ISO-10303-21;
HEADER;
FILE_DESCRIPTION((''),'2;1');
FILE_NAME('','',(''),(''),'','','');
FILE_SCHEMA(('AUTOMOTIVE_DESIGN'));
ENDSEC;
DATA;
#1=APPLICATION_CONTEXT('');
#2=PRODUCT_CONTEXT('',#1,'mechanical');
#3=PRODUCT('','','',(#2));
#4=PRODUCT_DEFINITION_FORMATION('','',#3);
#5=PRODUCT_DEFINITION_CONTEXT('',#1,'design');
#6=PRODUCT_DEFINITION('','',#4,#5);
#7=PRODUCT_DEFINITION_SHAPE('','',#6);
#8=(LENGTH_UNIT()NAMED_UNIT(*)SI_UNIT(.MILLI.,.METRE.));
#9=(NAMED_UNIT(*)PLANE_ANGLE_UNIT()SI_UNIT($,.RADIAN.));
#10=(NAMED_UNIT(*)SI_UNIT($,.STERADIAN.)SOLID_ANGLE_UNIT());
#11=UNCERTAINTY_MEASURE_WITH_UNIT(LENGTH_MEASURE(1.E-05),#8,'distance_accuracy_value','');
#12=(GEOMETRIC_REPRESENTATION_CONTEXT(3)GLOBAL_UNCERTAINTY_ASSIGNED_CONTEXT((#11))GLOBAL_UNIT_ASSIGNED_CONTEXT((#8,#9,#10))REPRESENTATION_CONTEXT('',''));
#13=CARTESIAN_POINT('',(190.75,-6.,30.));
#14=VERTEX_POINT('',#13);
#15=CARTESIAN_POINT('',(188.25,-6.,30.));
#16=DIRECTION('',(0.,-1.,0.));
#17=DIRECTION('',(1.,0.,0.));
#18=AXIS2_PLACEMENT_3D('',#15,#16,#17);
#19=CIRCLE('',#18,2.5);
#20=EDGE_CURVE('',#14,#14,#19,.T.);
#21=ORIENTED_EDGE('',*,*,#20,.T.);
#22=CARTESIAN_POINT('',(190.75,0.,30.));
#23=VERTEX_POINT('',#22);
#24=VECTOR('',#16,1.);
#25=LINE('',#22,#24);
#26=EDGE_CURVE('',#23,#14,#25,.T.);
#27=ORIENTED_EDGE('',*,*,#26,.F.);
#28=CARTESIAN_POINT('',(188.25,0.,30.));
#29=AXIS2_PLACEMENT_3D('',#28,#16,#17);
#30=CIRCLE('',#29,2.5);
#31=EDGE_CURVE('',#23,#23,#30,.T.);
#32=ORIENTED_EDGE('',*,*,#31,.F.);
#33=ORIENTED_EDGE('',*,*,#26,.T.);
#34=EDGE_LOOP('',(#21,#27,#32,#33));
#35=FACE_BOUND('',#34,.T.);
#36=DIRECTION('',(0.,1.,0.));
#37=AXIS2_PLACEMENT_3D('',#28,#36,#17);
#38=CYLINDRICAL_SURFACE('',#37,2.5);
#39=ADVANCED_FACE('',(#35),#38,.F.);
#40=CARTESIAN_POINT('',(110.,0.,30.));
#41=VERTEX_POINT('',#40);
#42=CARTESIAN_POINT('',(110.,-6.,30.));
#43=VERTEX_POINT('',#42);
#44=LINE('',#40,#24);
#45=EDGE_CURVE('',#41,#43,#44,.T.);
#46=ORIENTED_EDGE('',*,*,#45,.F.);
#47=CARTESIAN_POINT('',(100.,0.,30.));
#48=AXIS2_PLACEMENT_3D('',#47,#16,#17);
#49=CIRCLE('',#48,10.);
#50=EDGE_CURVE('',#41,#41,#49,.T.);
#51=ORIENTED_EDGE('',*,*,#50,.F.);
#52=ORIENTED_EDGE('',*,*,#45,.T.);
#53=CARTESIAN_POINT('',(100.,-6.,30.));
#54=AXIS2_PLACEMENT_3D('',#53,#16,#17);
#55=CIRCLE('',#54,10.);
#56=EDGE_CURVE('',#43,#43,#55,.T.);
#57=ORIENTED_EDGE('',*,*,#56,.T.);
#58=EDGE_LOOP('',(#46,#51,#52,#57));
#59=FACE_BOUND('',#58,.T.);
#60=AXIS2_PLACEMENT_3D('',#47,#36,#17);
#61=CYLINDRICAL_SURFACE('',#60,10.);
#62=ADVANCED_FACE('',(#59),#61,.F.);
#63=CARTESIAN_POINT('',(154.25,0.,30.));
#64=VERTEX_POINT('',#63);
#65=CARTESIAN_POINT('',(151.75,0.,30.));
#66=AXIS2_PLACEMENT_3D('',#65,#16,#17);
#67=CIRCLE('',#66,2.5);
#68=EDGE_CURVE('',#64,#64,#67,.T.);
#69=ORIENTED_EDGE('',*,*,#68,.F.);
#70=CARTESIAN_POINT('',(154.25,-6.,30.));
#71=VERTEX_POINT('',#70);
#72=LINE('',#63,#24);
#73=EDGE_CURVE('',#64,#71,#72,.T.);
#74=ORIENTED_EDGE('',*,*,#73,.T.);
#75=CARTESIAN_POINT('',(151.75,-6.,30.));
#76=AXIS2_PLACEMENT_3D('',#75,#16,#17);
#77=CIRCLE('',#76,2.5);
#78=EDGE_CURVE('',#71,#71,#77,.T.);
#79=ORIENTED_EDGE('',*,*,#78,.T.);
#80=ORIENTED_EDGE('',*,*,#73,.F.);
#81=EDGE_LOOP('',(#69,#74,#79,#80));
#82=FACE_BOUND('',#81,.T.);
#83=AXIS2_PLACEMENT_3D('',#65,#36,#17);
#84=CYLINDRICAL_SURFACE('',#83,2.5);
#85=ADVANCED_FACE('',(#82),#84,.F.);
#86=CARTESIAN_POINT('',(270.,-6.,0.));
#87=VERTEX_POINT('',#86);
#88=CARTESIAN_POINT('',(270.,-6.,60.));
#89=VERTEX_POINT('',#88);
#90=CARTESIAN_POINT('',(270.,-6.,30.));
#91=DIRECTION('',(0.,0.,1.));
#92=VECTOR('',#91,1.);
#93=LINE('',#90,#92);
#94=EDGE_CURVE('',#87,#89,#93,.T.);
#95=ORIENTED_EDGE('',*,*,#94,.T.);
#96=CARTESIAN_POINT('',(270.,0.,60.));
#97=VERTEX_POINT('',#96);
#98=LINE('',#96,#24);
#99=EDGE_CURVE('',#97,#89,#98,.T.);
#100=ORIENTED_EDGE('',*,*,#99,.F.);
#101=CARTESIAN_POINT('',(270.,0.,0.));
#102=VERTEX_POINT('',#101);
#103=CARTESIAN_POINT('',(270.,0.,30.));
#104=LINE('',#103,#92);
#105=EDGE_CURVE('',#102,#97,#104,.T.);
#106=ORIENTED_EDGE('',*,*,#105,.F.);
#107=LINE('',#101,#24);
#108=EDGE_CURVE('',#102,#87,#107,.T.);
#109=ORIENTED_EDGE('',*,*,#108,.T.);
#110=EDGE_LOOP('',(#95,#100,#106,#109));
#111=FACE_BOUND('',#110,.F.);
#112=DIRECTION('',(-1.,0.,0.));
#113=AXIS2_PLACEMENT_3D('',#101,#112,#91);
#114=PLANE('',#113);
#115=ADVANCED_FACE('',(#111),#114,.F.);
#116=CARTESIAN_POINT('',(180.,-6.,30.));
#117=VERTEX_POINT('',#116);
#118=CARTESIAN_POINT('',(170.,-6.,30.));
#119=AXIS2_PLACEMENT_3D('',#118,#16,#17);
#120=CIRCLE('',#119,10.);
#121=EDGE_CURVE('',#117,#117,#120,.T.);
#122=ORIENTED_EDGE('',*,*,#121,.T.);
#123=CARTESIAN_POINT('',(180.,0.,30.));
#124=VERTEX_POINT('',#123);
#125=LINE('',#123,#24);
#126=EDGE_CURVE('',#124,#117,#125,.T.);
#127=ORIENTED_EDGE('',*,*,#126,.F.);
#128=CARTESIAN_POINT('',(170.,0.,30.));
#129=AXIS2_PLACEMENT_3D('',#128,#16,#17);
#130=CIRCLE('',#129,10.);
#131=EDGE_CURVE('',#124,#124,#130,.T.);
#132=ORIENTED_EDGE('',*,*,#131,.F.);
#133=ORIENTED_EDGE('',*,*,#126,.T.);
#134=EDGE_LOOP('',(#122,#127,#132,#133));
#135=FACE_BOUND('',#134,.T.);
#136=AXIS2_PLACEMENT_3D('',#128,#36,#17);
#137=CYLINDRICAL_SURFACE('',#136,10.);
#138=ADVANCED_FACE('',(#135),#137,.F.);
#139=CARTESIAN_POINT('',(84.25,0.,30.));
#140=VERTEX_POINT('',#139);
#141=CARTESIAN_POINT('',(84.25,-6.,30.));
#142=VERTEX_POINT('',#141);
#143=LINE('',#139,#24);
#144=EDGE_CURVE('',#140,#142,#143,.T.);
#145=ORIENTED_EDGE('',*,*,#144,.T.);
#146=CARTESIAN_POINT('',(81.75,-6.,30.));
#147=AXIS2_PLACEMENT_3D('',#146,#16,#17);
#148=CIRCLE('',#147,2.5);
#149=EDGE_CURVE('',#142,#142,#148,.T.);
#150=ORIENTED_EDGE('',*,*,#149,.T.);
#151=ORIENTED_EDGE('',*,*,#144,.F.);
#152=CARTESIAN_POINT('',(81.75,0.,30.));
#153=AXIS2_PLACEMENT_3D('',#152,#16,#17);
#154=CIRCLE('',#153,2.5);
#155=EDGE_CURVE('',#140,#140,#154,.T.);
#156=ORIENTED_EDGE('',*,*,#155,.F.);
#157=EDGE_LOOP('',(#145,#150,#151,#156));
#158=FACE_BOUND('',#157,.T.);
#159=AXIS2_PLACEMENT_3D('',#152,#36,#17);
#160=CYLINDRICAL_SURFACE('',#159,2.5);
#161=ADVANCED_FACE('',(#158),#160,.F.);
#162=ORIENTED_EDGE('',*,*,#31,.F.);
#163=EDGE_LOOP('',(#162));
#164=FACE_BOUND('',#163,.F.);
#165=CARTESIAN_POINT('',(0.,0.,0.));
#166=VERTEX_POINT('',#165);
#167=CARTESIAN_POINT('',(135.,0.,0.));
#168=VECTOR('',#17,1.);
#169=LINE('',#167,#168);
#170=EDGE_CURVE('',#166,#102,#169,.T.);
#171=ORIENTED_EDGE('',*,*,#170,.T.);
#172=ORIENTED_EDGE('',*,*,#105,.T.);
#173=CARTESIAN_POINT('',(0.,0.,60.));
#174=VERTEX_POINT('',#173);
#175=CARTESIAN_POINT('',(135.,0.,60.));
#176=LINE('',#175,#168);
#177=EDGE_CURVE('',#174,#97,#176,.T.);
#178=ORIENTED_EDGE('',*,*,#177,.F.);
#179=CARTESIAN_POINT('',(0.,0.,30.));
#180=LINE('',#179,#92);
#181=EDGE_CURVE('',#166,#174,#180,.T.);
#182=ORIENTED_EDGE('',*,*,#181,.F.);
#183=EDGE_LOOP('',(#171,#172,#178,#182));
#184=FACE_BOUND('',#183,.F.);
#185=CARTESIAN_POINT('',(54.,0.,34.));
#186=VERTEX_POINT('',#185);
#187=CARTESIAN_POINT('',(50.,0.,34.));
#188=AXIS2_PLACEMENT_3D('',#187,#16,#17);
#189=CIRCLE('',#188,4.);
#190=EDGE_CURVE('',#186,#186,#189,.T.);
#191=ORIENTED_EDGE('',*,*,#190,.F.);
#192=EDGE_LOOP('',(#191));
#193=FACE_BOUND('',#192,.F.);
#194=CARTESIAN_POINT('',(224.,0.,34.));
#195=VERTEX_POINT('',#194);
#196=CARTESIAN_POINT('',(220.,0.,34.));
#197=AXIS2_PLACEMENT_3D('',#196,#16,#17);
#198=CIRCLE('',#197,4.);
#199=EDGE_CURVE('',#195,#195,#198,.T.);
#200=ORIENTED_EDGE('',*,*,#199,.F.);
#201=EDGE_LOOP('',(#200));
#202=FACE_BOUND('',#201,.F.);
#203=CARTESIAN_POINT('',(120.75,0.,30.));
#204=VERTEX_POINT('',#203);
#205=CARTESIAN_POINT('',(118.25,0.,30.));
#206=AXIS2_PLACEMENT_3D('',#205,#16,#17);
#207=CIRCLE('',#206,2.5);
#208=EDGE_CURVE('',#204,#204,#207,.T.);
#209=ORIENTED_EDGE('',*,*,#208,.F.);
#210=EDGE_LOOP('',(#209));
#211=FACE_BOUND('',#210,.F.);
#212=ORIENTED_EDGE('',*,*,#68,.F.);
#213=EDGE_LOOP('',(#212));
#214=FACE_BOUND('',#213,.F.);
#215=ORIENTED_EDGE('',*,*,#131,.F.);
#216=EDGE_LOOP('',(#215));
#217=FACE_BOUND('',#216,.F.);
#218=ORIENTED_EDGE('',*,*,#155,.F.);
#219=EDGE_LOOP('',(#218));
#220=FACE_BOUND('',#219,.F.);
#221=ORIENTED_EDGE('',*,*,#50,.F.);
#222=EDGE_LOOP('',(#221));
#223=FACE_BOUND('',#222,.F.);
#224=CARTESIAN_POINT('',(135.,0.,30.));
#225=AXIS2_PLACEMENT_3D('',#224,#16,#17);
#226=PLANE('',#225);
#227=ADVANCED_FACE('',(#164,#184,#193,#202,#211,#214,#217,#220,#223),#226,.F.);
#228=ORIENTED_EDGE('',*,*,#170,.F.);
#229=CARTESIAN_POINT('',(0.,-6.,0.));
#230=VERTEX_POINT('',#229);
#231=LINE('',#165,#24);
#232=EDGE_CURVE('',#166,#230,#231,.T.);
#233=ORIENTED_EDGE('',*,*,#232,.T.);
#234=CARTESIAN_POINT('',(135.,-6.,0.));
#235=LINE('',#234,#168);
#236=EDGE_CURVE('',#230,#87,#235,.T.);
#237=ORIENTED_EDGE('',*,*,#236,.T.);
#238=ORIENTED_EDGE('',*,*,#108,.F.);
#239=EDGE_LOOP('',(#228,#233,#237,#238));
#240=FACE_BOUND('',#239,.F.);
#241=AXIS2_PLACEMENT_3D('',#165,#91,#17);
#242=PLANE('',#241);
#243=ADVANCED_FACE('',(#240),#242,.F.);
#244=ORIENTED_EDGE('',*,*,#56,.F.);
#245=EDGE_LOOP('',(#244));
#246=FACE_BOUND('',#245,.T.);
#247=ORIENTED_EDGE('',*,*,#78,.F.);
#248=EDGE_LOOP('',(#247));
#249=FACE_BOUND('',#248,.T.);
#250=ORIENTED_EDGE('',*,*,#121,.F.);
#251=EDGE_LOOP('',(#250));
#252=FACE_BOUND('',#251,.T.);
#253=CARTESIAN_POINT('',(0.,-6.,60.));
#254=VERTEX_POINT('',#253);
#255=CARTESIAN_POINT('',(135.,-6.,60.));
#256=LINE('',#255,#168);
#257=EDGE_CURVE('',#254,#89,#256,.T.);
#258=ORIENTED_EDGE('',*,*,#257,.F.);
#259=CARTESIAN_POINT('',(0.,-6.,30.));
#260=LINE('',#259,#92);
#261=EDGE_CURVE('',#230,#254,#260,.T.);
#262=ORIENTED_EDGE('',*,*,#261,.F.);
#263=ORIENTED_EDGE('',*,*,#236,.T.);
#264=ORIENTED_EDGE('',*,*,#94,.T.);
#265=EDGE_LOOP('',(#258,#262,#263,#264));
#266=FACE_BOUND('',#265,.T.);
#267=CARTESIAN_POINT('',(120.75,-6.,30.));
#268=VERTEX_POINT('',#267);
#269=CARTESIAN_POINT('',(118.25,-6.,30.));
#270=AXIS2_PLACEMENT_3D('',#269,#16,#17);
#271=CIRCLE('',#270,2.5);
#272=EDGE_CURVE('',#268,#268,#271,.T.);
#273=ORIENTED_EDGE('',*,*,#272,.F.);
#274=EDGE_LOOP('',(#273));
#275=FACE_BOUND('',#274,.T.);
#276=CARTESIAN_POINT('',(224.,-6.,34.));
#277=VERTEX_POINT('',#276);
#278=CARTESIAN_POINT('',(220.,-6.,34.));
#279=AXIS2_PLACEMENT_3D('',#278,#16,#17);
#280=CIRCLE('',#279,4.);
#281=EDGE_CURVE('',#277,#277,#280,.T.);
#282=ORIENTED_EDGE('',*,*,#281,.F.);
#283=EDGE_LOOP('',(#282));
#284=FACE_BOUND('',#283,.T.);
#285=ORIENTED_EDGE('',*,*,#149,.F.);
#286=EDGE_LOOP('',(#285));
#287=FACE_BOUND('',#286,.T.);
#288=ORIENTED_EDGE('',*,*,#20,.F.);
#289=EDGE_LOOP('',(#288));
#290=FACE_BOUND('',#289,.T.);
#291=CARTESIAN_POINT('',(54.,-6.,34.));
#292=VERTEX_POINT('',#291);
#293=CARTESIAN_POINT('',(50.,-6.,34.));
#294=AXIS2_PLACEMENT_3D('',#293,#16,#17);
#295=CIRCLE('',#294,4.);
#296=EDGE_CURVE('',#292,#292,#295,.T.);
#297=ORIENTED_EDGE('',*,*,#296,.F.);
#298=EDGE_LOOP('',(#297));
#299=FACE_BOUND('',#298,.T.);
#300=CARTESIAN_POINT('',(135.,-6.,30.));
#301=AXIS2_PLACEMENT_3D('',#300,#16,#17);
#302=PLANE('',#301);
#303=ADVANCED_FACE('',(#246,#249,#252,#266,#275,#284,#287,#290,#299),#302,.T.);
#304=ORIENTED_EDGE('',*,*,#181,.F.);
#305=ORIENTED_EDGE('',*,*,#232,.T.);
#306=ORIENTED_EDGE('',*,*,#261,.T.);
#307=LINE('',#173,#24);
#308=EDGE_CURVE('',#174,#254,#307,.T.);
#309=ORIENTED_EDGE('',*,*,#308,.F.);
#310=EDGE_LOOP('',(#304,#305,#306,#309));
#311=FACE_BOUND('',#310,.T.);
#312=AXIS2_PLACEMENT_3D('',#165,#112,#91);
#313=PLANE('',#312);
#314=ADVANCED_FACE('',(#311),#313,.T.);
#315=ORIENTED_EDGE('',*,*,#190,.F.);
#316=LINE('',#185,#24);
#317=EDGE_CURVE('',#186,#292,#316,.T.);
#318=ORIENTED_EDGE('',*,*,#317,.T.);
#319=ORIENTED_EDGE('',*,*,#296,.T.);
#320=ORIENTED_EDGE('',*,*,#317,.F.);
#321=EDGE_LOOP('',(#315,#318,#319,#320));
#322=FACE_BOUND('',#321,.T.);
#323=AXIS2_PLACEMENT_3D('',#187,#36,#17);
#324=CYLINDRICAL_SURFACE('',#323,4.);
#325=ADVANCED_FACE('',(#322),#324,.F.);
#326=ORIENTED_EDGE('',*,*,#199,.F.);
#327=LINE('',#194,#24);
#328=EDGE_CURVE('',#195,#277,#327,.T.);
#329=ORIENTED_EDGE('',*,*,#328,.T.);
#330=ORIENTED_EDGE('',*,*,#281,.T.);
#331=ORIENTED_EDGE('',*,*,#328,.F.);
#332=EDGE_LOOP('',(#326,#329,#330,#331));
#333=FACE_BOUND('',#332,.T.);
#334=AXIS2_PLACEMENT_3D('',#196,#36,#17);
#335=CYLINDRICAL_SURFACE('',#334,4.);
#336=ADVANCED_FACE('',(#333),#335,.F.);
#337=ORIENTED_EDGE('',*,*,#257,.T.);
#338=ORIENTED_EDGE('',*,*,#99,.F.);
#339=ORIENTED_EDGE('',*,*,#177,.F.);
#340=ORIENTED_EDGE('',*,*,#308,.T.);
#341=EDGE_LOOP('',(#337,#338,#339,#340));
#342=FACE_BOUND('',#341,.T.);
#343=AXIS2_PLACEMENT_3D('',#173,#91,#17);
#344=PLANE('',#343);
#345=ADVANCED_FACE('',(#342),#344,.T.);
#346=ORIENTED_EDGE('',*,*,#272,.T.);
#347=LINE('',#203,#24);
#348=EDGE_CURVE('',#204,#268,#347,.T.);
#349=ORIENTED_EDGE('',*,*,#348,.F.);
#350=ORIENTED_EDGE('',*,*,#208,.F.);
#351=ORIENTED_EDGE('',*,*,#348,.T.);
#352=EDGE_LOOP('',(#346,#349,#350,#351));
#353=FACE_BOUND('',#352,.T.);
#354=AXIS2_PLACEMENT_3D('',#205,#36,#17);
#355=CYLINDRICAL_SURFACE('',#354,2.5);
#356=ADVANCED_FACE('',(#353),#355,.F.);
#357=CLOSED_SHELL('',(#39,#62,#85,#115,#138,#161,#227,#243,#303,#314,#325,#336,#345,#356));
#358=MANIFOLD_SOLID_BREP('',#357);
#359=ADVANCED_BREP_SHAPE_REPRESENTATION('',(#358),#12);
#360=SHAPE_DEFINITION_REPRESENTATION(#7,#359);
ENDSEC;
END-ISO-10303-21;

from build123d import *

# Parameters (mm, degrees)
SKETCH_W   = 270
SKETCH_H   = 60
SKETCH_R   = 10
SKETCH_R_2 = 2.5
SKETCH_R_3 = 4
PAD_DEPTH  = 6


with BuildPart() as part:
    # Sketch → Pad (new body)
    with BuildSketch(Plane.XZ):
        with Locations((135, 30)):
            Rectangle(SKETCH_W, SKETCH_H)
        with Locations((100, 30)):
            Circle(SKETCH_R, mode=Mode.SUBTRACT)
        with Locations((170, 30)):
            Circle(SKETCH_R, mode=Mode.SUBTRACT)
        with Locations((81.75, 30)):
            Circle(SKETCH_R_2, mode=Mode.SUBTRACT)
        with Locations((118.25, 30)):
            Circle(SKETCH_R_2, mode=Mode.SUBTRACT)
        with Locations((151.75, 30)):
            Circle(SKETCH_R_2, mode=Mode.SUBTRACT)
        with Locations((188.25, 30)):
            Circle(SKETCH_R_2, mode=Mode.SUBTRACT)
        with Locations((50, 34)):
            Circle(SKETCH_R_3, mode=Mode.SUBTRACT)
        with Locations((220, 34)):
            Circle(SKETCH_R_3, mode=Mode.SUBTRACT)
    extrude(amount=PAD_DEPTH)


solid = part.part
